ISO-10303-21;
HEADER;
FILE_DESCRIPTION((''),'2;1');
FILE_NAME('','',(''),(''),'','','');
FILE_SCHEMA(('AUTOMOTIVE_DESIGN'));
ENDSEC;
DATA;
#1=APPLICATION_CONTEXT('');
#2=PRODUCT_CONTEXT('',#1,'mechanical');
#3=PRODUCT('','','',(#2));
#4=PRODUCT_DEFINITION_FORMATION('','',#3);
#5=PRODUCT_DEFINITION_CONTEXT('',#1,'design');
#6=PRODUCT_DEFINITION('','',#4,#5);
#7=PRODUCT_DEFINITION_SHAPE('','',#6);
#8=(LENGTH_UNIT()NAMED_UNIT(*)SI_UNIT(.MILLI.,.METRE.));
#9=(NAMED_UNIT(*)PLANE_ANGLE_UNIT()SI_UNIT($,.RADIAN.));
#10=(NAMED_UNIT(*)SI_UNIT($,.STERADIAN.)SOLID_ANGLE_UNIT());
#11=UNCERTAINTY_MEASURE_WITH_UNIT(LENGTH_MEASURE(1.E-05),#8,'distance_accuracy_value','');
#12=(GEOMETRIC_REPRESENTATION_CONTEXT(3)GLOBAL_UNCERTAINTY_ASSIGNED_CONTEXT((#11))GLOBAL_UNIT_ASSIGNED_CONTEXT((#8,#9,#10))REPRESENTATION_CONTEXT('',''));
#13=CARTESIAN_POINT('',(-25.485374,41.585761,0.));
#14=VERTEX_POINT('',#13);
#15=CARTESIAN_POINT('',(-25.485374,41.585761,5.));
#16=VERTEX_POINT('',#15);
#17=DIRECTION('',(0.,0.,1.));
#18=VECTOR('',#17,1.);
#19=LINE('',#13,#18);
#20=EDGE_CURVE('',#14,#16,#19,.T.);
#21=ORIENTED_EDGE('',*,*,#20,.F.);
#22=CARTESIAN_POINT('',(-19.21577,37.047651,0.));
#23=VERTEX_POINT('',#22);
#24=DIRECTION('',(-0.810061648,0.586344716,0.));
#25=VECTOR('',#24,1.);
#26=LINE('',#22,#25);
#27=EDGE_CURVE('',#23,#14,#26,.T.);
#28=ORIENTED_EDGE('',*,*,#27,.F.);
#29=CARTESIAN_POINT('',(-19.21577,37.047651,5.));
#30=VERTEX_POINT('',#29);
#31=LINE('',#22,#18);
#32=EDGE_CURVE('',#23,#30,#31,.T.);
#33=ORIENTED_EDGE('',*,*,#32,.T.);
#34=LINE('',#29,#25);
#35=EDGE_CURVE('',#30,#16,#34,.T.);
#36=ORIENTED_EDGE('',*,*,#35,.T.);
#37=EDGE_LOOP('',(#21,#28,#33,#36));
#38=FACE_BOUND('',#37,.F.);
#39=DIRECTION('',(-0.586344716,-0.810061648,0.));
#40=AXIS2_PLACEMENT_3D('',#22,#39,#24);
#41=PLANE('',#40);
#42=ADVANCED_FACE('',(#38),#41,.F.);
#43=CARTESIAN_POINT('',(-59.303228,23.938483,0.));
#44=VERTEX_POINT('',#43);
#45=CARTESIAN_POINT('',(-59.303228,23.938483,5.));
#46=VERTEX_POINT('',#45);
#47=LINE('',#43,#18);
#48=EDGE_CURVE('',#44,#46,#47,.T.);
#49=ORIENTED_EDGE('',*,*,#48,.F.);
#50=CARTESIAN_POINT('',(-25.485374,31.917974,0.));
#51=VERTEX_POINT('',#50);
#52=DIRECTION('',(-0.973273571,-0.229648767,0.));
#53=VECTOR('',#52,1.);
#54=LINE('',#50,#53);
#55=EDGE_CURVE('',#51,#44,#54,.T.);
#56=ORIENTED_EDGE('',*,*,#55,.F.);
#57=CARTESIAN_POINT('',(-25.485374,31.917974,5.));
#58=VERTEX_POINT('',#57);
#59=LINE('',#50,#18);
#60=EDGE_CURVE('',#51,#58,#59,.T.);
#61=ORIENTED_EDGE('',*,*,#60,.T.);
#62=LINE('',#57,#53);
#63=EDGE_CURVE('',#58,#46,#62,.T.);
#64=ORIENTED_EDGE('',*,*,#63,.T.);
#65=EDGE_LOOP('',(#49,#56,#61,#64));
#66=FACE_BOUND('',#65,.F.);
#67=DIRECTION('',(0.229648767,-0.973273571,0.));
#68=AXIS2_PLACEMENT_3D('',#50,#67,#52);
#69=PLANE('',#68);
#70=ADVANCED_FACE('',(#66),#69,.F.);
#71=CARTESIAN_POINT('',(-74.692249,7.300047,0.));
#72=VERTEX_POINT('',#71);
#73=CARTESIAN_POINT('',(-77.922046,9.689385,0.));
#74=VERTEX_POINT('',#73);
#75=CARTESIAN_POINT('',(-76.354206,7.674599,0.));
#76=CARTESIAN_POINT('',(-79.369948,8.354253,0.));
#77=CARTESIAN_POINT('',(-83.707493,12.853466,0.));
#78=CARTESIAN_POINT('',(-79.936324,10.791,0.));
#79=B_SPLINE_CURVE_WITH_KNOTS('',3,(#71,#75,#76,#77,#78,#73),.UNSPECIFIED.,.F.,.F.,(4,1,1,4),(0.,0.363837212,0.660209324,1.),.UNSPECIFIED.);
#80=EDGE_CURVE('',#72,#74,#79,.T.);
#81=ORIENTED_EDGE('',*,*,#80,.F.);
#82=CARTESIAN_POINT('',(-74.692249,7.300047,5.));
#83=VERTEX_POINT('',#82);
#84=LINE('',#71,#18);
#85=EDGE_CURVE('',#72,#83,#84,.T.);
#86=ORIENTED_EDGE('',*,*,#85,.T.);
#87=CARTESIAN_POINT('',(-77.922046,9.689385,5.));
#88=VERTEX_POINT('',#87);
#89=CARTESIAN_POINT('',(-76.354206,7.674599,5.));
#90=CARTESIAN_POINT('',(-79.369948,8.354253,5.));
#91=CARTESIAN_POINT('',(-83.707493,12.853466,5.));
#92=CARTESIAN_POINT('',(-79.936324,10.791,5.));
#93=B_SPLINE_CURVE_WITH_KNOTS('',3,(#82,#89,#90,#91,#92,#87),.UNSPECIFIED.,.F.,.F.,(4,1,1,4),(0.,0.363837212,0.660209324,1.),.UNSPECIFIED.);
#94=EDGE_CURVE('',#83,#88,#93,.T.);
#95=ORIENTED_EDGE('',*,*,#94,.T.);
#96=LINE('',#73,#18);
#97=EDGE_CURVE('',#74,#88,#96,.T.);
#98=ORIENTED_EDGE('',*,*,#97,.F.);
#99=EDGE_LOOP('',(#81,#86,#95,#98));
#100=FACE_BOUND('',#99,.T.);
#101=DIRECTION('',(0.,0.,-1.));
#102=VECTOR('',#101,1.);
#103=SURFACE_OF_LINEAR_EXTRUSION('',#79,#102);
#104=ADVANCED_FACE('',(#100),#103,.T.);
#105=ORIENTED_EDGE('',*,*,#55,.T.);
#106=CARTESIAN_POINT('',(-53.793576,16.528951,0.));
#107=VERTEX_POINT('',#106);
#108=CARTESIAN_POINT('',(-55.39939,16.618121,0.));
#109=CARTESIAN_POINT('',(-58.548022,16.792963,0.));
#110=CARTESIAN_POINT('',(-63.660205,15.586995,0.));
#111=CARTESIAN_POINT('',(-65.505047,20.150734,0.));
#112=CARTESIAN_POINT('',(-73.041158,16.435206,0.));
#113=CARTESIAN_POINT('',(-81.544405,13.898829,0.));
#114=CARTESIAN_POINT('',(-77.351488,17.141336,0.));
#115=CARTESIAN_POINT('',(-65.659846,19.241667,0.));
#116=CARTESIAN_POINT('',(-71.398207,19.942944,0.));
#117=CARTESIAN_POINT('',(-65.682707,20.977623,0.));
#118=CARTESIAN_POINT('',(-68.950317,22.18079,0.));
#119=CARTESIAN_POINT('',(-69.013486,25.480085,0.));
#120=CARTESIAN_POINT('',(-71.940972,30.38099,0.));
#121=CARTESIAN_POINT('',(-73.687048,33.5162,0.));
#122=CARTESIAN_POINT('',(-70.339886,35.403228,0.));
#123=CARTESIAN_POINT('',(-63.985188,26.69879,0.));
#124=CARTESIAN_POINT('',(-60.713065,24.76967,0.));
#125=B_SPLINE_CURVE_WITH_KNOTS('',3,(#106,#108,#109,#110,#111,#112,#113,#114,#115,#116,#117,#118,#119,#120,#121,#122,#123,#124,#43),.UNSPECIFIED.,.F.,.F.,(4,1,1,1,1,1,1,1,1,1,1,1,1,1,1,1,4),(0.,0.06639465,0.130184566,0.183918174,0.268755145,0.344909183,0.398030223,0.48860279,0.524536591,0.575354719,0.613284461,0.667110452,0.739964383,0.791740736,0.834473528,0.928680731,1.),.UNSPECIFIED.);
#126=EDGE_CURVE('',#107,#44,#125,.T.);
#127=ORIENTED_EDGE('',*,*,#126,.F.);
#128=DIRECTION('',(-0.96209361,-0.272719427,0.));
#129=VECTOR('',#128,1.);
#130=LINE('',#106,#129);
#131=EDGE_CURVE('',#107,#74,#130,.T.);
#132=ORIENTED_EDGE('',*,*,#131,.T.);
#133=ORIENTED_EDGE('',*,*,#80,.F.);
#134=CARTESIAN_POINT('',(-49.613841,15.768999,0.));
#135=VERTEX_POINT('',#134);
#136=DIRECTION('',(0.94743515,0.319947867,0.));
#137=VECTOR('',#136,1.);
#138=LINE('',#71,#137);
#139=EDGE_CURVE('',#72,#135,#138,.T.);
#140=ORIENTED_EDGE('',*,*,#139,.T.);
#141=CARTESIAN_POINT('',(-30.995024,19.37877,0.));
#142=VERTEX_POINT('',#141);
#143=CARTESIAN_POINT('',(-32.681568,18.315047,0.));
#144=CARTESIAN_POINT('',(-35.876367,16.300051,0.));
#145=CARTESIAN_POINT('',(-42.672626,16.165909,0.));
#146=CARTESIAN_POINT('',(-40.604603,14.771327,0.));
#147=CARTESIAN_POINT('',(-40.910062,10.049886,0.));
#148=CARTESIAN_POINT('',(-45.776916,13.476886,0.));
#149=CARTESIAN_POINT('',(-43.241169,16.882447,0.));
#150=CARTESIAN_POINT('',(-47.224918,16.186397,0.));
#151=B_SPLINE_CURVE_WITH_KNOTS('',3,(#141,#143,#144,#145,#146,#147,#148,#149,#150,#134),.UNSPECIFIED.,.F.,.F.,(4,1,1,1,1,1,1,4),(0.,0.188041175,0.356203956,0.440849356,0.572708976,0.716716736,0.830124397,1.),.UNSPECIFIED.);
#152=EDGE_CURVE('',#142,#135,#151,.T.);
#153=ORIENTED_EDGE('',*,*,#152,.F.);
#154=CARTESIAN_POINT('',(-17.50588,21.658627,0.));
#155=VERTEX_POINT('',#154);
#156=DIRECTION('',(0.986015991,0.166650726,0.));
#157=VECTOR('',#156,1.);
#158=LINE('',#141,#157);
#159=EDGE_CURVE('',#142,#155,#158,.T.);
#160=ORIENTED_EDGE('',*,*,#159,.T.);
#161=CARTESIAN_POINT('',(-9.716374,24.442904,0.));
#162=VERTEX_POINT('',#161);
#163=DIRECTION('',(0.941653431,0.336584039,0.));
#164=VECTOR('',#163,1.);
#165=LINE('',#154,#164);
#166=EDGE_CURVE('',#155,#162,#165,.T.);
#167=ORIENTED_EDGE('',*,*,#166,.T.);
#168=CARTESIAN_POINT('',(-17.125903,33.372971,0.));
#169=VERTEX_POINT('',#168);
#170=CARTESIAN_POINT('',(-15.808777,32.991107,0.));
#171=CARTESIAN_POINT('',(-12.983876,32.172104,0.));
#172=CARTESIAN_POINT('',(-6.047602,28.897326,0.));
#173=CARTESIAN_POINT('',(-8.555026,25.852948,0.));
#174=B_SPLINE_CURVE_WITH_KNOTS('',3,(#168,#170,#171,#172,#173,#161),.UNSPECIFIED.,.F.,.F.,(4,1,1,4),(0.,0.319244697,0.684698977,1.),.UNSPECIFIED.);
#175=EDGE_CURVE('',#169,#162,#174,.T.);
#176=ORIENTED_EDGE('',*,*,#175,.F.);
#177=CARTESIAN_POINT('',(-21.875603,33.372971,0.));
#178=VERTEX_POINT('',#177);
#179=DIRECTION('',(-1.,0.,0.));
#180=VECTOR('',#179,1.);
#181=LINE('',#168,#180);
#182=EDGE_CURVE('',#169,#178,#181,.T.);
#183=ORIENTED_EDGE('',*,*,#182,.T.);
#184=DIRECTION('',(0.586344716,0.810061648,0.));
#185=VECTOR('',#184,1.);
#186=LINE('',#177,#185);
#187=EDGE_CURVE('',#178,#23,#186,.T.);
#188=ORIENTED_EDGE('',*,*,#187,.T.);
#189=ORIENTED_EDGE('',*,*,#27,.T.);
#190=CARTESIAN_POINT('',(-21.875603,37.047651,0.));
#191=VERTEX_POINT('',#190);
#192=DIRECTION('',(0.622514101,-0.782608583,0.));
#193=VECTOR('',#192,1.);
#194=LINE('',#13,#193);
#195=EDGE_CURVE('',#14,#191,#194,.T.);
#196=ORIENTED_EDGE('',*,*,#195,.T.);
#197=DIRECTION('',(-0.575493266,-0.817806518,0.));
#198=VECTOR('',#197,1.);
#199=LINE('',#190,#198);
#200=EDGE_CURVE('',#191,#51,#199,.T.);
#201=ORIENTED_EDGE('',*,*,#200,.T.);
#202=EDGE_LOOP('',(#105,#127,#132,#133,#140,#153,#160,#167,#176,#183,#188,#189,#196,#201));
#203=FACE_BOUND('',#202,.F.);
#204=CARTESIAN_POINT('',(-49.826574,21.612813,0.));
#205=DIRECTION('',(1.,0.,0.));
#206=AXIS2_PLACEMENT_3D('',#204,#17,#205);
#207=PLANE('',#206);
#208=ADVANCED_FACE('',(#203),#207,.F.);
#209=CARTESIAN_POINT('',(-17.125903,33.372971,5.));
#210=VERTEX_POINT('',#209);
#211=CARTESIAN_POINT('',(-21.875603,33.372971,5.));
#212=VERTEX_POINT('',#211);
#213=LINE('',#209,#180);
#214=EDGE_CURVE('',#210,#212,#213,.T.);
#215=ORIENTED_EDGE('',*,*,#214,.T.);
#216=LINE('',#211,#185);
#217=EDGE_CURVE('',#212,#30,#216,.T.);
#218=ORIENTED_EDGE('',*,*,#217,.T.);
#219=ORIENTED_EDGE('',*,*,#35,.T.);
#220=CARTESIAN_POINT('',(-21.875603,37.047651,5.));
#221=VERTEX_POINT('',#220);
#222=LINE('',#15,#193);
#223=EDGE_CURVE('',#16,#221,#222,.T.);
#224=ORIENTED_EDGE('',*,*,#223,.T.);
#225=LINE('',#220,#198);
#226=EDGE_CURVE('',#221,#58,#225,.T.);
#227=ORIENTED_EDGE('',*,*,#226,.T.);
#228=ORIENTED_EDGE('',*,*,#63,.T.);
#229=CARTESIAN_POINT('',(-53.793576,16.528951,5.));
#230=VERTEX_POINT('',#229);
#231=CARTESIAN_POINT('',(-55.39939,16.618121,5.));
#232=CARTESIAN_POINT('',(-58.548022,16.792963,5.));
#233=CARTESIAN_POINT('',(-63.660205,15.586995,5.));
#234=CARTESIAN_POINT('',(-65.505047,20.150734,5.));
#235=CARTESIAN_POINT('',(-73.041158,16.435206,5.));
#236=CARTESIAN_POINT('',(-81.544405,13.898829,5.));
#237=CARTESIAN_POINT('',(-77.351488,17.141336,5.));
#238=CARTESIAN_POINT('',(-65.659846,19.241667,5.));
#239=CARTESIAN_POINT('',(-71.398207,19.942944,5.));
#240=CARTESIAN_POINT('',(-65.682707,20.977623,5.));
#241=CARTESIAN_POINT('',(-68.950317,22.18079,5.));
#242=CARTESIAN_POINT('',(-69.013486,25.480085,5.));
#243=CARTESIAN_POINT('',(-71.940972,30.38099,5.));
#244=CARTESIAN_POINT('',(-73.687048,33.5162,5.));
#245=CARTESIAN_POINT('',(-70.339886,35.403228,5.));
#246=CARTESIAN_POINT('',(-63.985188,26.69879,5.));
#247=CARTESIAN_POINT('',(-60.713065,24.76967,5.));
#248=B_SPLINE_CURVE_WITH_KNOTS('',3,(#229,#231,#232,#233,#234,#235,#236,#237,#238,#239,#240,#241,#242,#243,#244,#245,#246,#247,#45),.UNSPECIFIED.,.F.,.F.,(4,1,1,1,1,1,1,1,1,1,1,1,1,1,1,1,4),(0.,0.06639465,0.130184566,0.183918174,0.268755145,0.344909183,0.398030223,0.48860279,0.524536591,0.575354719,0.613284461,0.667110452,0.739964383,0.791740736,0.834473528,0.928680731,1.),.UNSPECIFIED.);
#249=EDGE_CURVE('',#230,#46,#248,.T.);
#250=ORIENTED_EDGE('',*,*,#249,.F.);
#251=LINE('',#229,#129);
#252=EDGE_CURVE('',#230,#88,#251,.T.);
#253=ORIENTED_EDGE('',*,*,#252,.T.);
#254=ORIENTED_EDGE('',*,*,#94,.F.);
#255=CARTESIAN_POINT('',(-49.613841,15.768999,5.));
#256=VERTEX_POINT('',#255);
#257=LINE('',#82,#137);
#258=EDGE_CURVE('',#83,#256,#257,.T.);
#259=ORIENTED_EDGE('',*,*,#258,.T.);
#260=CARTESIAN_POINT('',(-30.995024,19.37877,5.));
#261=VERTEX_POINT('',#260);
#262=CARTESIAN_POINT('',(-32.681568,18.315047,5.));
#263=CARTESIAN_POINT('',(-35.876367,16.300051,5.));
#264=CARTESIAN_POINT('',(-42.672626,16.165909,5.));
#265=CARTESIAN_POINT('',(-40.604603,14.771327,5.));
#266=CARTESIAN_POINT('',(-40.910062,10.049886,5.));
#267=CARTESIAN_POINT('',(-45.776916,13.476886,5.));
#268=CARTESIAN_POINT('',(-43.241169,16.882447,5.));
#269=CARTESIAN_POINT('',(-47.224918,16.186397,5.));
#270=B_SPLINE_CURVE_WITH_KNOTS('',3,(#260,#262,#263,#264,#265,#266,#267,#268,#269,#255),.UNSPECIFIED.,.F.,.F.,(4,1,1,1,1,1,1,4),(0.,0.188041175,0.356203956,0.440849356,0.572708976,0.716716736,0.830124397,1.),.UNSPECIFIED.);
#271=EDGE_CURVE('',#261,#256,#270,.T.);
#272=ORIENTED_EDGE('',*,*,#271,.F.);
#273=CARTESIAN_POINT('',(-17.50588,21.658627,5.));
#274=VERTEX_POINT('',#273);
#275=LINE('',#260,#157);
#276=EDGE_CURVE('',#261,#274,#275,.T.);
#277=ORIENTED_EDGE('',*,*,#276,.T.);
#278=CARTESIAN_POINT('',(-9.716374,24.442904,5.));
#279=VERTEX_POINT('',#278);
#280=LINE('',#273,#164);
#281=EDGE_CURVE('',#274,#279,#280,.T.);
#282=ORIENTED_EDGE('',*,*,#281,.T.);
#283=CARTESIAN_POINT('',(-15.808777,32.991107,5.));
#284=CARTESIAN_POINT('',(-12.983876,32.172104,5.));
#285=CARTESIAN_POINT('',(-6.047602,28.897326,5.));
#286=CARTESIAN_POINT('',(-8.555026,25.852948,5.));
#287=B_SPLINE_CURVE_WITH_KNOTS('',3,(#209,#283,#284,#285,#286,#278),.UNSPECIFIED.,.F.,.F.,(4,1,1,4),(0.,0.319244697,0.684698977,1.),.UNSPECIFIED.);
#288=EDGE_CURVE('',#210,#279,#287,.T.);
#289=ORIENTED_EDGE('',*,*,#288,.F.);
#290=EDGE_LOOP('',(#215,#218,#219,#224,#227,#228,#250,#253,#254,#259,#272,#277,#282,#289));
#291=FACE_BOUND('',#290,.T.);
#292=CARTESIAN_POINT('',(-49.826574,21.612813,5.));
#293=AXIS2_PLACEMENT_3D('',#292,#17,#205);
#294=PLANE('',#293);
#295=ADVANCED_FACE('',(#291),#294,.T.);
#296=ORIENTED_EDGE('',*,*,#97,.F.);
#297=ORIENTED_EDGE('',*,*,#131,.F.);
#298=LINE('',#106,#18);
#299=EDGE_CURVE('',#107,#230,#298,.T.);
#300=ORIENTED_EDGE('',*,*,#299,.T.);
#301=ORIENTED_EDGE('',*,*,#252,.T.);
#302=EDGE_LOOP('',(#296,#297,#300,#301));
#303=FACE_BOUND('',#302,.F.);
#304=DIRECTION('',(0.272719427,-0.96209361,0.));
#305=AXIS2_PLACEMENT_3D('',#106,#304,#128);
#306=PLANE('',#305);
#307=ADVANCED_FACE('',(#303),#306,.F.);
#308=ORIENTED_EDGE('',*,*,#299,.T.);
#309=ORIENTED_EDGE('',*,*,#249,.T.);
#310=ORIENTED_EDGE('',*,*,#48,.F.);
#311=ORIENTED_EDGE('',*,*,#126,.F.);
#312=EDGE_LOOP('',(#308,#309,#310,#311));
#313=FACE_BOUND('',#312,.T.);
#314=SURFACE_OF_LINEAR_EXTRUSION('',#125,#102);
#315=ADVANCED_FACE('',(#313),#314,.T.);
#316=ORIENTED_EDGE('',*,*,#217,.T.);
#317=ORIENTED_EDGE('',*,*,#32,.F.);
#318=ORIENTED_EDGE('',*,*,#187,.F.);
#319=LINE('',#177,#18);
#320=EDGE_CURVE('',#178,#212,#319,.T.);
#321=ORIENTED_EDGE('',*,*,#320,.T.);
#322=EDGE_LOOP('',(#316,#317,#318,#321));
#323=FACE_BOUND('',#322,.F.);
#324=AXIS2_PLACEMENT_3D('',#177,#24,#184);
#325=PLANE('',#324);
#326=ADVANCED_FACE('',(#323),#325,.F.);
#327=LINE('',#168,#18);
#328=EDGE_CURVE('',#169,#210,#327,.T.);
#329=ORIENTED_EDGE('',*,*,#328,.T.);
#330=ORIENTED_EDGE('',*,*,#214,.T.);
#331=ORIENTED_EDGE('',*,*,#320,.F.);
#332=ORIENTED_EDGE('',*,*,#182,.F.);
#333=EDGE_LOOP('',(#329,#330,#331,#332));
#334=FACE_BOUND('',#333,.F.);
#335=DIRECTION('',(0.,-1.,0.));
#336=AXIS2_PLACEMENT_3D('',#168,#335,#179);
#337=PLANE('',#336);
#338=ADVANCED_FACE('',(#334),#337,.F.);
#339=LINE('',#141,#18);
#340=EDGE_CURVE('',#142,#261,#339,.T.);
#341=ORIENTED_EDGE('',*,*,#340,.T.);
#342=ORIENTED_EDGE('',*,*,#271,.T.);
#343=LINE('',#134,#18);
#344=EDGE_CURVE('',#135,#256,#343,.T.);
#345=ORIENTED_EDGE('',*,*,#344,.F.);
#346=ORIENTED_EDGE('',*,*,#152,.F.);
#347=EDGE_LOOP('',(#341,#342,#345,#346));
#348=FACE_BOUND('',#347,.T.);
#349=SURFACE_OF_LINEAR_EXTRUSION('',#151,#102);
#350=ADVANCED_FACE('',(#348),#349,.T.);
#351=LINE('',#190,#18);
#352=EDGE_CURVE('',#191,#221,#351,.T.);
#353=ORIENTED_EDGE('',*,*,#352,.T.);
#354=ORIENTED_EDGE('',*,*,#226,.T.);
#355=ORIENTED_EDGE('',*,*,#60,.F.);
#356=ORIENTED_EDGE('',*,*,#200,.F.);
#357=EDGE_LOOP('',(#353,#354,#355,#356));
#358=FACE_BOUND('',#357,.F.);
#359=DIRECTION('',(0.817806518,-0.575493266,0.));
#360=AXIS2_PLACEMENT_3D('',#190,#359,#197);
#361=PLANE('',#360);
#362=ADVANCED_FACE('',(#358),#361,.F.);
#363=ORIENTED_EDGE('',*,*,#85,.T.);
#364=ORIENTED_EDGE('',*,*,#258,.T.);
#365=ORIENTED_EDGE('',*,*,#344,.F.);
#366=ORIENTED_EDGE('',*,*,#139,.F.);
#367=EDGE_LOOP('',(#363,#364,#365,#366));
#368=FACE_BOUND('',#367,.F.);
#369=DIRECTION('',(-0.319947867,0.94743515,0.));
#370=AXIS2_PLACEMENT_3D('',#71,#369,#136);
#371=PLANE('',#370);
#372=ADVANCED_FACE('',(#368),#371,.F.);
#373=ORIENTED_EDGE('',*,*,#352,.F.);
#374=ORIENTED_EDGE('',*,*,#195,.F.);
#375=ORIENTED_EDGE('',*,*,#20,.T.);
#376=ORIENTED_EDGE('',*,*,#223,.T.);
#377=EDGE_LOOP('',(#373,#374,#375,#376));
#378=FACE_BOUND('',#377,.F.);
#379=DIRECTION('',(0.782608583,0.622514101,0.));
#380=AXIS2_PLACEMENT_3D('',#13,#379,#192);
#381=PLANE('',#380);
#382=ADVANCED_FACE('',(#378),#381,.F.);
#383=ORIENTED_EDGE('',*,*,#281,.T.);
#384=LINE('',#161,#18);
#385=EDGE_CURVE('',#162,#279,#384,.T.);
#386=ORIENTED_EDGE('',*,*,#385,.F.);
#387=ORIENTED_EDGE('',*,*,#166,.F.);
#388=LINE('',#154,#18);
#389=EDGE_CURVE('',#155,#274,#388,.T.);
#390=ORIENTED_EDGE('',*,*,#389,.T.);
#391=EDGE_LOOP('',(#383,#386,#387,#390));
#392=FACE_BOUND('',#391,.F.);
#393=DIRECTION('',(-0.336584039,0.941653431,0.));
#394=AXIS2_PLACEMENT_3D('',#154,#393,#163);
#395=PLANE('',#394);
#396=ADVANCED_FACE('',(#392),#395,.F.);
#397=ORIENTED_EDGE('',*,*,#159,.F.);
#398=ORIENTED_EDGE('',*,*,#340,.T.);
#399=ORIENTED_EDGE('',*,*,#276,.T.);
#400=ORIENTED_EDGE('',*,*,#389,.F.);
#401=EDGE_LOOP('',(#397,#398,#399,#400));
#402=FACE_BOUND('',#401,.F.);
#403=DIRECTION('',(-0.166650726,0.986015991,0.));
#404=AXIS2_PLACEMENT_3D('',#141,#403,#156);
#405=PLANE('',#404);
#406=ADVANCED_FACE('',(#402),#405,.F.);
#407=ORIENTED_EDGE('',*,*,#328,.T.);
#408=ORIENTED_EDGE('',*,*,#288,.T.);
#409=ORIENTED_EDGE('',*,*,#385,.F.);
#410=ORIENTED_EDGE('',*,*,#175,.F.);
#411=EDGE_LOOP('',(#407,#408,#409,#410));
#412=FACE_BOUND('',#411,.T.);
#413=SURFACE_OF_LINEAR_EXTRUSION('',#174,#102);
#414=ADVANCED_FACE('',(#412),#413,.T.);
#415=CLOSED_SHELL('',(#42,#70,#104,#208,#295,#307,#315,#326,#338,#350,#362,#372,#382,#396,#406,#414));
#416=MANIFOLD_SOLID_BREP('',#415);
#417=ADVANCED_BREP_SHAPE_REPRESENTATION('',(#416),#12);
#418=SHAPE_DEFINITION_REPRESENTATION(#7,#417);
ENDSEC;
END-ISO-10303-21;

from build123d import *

# Parameters (mm, degrees)
F2_DEPTH = 5


with BuildPart() as f2:
    # F1 (on face) → F2 (new body)
    with BuildSketch(Plane.XY):
        with BuildLine():
            Line((-25.4853740335, 31.9179743528), (-59.3032278121, 23.9384826273))
            add(Edge.make_bspline(
                [(-53.7935756147, 16.5289510041), (-55.3993904633, 16.6181210419), (-58.5480223143, 16.7929628807), (-63.6602046886, 15.5869954562), (-65.505047361, 20.1507341591), (-73.0411579602, 16.4352057935), (-81.5444049485, 13.8988290413), (-77.3514882633, 17.1413360908), (-65.6598458257, 19.2416671473), (-71.3982067422, 19.9429437068), (-65.6827073781, 20.9776228206), (-68.9503169776, 22.1807898548), (-69.0134856683, 25.4800851431), (-71.940972036, 30.3809901751), (-73.6870478704, 33.5162001703), (-70.3398858766, 35.4032275936), (-63.9851883404, 26.6987900779), (-60.7130652885, 24.7696696625), (-59.3032278121, 23.9384826273)],
                knots=[0, 0, 0, 0, 0.0663946497, 0.1301845658, 0.1839181741, 0.2687551452, 0.3449091831, 0.3980302229, 0.4886027905, 0.5245365909, 0.575354719, 0.613284461, 0.6671104521, 0.739964383, 0.7917407358, 0.8344735283, 0.9286807313, 1, 1, 1, 1], degree=3))
            Line((-53.7935756147, 16.5289510041), (-77.9220461845, 9.6893850714))
            add(Edge.make_bspline(
                [(-74.6922492981, 7.3000467425), (-76.3542058918, 7.6745993957), (-79.3699481045, 8.354252674), (-83.707493466, 12.8534663924), (-79.9363236215, 10.7910004355), (-77.9220461845, 9.6893850714)],
                knots=[0, 0, 0, 0, 0.3638372124, 0.6602093244, 1, 1, 1, 1], degree=3))
            Line((-74.6922492981, 7.3000467425), (-49.613840878, 15.7689992338))
            add(Edge.make_bspline(
                [(-30.9950243682, 19.3787701428), (-32.6815683492, 18.3150472324), (-35.8763667105, 16.300050737), (-42.6726255435, 16.1659092148), (-40.6046029148, 14.7713273261), (-40.910062397, 10.0498859325), (-45.7769164841, 13.4768857592), (-43.2411687364, 16.8824473177), (-47.2249181325, 16.1863973667), (-49.613840878, 15.7689992338)],
                knots=[0, 0, 0, 0, 0.1880411751, 0.3562039559, 0.4408493561, 0.5727089763, 0.7167167361, 0.8301243966, 1, 1, 1, 1], degree=3))
            Line((-30.9950243682, 19.3787701428), (-17.5058804452, 21.6586273164))
            Line((-17.5058804452, 21.6586273164), (-9.7163738683, 24.4429038853))
            add(Edge.make_bspline(
                [(-17.1259026974, 33.3729714343), (-15.8087769626, 32.991106705), (-12.9838760238, 32.1721036259), (-6.0476017656, 28.8973255526), (-8.5550262952, 25.8529483492), (-9.7163738683, 24.4429038853)],
                knots=[0, 0, 0, 0, 0.3192446966, 0.6846989769, 1, 1, 1, 1], degree=3))
            Line((-17.1259026974, 33.3729714343), (-21.8756031245, 33.3729714343))
            Line((-21.8756031245, 33.3729714343), (-19.2157700658, 37.047650665))
            Line((-19.2157700658, 37.047650665), (-25.4853740335, 41.5857610282))
            Line((-25.4853740335, 41.5857610282), (-21.8756031245, 37.047650665))
            Line((-21.8756031245, 37.047650665), (-25.4853740335, 31.9179743528))
        make_face()
    extrude(amount=F2_DEPTH)


solid = f2.part
